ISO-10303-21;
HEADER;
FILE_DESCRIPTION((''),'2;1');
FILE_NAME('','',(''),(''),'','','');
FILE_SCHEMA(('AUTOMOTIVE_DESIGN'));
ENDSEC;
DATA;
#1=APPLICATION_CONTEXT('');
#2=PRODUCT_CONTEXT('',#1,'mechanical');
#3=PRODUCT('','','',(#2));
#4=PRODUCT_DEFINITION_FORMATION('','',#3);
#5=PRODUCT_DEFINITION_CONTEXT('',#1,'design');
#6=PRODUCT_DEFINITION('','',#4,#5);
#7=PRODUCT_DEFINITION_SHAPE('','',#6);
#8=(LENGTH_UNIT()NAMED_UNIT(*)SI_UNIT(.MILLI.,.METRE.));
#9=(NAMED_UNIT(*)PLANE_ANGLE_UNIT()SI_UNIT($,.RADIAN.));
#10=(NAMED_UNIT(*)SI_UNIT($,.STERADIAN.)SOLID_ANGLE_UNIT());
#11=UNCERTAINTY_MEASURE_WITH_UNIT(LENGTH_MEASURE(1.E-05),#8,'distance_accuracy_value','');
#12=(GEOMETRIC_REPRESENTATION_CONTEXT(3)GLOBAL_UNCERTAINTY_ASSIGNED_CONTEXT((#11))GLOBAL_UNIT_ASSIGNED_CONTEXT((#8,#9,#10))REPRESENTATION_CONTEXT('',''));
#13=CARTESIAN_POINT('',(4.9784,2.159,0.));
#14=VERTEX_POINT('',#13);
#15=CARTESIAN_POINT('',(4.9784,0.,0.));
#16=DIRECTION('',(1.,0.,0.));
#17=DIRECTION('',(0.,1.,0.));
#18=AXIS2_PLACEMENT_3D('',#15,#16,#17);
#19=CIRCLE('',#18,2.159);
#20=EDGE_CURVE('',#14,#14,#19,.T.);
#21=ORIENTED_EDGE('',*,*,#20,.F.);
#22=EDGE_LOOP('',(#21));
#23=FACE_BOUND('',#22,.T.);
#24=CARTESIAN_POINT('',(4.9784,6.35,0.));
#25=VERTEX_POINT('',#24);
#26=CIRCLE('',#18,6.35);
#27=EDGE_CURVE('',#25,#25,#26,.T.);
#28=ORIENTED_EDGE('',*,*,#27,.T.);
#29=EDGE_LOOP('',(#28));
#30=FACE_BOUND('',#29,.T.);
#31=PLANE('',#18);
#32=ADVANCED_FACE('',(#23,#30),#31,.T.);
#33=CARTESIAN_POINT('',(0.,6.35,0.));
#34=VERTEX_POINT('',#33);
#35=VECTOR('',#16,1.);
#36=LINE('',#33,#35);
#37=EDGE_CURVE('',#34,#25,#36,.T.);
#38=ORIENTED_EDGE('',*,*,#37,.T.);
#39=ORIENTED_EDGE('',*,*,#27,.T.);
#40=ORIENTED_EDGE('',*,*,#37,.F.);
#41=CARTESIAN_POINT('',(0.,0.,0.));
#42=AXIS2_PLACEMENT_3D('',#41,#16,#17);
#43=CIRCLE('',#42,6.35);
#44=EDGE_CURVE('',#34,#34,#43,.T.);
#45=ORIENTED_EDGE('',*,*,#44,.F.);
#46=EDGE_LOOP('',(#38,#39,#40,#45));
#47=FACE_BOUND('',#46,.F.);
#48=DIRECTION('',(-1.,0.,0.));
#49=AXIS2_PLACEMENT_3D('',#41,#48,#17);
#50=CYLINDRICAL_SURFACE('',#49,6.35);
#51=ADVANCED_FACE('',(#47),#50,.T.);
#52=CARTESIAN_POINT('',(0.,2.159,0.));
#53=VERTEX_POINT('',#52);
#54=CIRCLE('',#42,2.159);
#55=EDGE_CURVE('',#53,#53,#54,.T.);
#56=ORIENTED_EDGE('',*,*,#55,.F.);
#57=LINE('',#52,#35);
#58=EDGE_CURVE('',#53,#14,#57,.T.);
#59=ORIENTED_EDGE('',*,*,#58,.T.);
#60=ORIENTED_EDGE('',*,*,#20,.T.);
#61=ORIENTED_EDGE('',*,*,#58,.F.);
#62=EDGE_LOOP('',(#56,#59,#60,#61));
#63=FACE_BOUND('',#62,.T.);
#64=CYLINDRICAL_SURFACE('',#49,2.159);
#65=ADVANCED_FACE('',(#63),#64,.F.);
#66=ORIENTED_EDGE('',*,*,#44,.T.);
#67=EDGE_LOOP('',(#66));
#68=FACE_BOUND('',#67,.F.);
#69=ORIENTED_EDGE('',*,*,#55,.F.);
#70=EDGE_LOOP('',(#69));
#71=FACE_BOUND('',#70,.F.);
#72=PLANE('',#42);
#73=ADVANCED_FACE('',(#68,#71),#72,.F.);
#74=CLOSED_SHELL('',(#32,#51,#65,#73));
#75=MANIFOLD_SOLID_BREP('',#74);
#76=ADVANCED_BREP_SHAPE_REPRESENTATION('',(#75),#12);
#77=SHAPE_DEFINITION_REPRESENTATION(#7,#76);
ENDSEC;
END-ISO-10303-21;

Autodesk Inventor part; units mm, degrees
ref_plane "YZ Plane" through (0, 0, 0) normal (1, 0, 0) x (0, 1, 0)
ref_plane "XZ Plane" through (0, 0, 0) normal (0, 1, 0) x (-1, 0, 0)
ref_plane "XY Plane" through (0, 0, 0) normal (0, 0, 1) x (1, 0, 0)
sketch "Sketch1" plane through (0, 0, 0) normal (1, 0, 0) x (0, 1, 0)
  circle A0 centre (0, 0) radius 6.35
  circle A1 centre (0, 0) radius 2.159
  dimension "d0" = 12.7
  dimension "d1" = 4.318
extrude "Extrusion1" add sketch "Sketch1" along normal blind 4.9784
properties part number "vexbearing"
